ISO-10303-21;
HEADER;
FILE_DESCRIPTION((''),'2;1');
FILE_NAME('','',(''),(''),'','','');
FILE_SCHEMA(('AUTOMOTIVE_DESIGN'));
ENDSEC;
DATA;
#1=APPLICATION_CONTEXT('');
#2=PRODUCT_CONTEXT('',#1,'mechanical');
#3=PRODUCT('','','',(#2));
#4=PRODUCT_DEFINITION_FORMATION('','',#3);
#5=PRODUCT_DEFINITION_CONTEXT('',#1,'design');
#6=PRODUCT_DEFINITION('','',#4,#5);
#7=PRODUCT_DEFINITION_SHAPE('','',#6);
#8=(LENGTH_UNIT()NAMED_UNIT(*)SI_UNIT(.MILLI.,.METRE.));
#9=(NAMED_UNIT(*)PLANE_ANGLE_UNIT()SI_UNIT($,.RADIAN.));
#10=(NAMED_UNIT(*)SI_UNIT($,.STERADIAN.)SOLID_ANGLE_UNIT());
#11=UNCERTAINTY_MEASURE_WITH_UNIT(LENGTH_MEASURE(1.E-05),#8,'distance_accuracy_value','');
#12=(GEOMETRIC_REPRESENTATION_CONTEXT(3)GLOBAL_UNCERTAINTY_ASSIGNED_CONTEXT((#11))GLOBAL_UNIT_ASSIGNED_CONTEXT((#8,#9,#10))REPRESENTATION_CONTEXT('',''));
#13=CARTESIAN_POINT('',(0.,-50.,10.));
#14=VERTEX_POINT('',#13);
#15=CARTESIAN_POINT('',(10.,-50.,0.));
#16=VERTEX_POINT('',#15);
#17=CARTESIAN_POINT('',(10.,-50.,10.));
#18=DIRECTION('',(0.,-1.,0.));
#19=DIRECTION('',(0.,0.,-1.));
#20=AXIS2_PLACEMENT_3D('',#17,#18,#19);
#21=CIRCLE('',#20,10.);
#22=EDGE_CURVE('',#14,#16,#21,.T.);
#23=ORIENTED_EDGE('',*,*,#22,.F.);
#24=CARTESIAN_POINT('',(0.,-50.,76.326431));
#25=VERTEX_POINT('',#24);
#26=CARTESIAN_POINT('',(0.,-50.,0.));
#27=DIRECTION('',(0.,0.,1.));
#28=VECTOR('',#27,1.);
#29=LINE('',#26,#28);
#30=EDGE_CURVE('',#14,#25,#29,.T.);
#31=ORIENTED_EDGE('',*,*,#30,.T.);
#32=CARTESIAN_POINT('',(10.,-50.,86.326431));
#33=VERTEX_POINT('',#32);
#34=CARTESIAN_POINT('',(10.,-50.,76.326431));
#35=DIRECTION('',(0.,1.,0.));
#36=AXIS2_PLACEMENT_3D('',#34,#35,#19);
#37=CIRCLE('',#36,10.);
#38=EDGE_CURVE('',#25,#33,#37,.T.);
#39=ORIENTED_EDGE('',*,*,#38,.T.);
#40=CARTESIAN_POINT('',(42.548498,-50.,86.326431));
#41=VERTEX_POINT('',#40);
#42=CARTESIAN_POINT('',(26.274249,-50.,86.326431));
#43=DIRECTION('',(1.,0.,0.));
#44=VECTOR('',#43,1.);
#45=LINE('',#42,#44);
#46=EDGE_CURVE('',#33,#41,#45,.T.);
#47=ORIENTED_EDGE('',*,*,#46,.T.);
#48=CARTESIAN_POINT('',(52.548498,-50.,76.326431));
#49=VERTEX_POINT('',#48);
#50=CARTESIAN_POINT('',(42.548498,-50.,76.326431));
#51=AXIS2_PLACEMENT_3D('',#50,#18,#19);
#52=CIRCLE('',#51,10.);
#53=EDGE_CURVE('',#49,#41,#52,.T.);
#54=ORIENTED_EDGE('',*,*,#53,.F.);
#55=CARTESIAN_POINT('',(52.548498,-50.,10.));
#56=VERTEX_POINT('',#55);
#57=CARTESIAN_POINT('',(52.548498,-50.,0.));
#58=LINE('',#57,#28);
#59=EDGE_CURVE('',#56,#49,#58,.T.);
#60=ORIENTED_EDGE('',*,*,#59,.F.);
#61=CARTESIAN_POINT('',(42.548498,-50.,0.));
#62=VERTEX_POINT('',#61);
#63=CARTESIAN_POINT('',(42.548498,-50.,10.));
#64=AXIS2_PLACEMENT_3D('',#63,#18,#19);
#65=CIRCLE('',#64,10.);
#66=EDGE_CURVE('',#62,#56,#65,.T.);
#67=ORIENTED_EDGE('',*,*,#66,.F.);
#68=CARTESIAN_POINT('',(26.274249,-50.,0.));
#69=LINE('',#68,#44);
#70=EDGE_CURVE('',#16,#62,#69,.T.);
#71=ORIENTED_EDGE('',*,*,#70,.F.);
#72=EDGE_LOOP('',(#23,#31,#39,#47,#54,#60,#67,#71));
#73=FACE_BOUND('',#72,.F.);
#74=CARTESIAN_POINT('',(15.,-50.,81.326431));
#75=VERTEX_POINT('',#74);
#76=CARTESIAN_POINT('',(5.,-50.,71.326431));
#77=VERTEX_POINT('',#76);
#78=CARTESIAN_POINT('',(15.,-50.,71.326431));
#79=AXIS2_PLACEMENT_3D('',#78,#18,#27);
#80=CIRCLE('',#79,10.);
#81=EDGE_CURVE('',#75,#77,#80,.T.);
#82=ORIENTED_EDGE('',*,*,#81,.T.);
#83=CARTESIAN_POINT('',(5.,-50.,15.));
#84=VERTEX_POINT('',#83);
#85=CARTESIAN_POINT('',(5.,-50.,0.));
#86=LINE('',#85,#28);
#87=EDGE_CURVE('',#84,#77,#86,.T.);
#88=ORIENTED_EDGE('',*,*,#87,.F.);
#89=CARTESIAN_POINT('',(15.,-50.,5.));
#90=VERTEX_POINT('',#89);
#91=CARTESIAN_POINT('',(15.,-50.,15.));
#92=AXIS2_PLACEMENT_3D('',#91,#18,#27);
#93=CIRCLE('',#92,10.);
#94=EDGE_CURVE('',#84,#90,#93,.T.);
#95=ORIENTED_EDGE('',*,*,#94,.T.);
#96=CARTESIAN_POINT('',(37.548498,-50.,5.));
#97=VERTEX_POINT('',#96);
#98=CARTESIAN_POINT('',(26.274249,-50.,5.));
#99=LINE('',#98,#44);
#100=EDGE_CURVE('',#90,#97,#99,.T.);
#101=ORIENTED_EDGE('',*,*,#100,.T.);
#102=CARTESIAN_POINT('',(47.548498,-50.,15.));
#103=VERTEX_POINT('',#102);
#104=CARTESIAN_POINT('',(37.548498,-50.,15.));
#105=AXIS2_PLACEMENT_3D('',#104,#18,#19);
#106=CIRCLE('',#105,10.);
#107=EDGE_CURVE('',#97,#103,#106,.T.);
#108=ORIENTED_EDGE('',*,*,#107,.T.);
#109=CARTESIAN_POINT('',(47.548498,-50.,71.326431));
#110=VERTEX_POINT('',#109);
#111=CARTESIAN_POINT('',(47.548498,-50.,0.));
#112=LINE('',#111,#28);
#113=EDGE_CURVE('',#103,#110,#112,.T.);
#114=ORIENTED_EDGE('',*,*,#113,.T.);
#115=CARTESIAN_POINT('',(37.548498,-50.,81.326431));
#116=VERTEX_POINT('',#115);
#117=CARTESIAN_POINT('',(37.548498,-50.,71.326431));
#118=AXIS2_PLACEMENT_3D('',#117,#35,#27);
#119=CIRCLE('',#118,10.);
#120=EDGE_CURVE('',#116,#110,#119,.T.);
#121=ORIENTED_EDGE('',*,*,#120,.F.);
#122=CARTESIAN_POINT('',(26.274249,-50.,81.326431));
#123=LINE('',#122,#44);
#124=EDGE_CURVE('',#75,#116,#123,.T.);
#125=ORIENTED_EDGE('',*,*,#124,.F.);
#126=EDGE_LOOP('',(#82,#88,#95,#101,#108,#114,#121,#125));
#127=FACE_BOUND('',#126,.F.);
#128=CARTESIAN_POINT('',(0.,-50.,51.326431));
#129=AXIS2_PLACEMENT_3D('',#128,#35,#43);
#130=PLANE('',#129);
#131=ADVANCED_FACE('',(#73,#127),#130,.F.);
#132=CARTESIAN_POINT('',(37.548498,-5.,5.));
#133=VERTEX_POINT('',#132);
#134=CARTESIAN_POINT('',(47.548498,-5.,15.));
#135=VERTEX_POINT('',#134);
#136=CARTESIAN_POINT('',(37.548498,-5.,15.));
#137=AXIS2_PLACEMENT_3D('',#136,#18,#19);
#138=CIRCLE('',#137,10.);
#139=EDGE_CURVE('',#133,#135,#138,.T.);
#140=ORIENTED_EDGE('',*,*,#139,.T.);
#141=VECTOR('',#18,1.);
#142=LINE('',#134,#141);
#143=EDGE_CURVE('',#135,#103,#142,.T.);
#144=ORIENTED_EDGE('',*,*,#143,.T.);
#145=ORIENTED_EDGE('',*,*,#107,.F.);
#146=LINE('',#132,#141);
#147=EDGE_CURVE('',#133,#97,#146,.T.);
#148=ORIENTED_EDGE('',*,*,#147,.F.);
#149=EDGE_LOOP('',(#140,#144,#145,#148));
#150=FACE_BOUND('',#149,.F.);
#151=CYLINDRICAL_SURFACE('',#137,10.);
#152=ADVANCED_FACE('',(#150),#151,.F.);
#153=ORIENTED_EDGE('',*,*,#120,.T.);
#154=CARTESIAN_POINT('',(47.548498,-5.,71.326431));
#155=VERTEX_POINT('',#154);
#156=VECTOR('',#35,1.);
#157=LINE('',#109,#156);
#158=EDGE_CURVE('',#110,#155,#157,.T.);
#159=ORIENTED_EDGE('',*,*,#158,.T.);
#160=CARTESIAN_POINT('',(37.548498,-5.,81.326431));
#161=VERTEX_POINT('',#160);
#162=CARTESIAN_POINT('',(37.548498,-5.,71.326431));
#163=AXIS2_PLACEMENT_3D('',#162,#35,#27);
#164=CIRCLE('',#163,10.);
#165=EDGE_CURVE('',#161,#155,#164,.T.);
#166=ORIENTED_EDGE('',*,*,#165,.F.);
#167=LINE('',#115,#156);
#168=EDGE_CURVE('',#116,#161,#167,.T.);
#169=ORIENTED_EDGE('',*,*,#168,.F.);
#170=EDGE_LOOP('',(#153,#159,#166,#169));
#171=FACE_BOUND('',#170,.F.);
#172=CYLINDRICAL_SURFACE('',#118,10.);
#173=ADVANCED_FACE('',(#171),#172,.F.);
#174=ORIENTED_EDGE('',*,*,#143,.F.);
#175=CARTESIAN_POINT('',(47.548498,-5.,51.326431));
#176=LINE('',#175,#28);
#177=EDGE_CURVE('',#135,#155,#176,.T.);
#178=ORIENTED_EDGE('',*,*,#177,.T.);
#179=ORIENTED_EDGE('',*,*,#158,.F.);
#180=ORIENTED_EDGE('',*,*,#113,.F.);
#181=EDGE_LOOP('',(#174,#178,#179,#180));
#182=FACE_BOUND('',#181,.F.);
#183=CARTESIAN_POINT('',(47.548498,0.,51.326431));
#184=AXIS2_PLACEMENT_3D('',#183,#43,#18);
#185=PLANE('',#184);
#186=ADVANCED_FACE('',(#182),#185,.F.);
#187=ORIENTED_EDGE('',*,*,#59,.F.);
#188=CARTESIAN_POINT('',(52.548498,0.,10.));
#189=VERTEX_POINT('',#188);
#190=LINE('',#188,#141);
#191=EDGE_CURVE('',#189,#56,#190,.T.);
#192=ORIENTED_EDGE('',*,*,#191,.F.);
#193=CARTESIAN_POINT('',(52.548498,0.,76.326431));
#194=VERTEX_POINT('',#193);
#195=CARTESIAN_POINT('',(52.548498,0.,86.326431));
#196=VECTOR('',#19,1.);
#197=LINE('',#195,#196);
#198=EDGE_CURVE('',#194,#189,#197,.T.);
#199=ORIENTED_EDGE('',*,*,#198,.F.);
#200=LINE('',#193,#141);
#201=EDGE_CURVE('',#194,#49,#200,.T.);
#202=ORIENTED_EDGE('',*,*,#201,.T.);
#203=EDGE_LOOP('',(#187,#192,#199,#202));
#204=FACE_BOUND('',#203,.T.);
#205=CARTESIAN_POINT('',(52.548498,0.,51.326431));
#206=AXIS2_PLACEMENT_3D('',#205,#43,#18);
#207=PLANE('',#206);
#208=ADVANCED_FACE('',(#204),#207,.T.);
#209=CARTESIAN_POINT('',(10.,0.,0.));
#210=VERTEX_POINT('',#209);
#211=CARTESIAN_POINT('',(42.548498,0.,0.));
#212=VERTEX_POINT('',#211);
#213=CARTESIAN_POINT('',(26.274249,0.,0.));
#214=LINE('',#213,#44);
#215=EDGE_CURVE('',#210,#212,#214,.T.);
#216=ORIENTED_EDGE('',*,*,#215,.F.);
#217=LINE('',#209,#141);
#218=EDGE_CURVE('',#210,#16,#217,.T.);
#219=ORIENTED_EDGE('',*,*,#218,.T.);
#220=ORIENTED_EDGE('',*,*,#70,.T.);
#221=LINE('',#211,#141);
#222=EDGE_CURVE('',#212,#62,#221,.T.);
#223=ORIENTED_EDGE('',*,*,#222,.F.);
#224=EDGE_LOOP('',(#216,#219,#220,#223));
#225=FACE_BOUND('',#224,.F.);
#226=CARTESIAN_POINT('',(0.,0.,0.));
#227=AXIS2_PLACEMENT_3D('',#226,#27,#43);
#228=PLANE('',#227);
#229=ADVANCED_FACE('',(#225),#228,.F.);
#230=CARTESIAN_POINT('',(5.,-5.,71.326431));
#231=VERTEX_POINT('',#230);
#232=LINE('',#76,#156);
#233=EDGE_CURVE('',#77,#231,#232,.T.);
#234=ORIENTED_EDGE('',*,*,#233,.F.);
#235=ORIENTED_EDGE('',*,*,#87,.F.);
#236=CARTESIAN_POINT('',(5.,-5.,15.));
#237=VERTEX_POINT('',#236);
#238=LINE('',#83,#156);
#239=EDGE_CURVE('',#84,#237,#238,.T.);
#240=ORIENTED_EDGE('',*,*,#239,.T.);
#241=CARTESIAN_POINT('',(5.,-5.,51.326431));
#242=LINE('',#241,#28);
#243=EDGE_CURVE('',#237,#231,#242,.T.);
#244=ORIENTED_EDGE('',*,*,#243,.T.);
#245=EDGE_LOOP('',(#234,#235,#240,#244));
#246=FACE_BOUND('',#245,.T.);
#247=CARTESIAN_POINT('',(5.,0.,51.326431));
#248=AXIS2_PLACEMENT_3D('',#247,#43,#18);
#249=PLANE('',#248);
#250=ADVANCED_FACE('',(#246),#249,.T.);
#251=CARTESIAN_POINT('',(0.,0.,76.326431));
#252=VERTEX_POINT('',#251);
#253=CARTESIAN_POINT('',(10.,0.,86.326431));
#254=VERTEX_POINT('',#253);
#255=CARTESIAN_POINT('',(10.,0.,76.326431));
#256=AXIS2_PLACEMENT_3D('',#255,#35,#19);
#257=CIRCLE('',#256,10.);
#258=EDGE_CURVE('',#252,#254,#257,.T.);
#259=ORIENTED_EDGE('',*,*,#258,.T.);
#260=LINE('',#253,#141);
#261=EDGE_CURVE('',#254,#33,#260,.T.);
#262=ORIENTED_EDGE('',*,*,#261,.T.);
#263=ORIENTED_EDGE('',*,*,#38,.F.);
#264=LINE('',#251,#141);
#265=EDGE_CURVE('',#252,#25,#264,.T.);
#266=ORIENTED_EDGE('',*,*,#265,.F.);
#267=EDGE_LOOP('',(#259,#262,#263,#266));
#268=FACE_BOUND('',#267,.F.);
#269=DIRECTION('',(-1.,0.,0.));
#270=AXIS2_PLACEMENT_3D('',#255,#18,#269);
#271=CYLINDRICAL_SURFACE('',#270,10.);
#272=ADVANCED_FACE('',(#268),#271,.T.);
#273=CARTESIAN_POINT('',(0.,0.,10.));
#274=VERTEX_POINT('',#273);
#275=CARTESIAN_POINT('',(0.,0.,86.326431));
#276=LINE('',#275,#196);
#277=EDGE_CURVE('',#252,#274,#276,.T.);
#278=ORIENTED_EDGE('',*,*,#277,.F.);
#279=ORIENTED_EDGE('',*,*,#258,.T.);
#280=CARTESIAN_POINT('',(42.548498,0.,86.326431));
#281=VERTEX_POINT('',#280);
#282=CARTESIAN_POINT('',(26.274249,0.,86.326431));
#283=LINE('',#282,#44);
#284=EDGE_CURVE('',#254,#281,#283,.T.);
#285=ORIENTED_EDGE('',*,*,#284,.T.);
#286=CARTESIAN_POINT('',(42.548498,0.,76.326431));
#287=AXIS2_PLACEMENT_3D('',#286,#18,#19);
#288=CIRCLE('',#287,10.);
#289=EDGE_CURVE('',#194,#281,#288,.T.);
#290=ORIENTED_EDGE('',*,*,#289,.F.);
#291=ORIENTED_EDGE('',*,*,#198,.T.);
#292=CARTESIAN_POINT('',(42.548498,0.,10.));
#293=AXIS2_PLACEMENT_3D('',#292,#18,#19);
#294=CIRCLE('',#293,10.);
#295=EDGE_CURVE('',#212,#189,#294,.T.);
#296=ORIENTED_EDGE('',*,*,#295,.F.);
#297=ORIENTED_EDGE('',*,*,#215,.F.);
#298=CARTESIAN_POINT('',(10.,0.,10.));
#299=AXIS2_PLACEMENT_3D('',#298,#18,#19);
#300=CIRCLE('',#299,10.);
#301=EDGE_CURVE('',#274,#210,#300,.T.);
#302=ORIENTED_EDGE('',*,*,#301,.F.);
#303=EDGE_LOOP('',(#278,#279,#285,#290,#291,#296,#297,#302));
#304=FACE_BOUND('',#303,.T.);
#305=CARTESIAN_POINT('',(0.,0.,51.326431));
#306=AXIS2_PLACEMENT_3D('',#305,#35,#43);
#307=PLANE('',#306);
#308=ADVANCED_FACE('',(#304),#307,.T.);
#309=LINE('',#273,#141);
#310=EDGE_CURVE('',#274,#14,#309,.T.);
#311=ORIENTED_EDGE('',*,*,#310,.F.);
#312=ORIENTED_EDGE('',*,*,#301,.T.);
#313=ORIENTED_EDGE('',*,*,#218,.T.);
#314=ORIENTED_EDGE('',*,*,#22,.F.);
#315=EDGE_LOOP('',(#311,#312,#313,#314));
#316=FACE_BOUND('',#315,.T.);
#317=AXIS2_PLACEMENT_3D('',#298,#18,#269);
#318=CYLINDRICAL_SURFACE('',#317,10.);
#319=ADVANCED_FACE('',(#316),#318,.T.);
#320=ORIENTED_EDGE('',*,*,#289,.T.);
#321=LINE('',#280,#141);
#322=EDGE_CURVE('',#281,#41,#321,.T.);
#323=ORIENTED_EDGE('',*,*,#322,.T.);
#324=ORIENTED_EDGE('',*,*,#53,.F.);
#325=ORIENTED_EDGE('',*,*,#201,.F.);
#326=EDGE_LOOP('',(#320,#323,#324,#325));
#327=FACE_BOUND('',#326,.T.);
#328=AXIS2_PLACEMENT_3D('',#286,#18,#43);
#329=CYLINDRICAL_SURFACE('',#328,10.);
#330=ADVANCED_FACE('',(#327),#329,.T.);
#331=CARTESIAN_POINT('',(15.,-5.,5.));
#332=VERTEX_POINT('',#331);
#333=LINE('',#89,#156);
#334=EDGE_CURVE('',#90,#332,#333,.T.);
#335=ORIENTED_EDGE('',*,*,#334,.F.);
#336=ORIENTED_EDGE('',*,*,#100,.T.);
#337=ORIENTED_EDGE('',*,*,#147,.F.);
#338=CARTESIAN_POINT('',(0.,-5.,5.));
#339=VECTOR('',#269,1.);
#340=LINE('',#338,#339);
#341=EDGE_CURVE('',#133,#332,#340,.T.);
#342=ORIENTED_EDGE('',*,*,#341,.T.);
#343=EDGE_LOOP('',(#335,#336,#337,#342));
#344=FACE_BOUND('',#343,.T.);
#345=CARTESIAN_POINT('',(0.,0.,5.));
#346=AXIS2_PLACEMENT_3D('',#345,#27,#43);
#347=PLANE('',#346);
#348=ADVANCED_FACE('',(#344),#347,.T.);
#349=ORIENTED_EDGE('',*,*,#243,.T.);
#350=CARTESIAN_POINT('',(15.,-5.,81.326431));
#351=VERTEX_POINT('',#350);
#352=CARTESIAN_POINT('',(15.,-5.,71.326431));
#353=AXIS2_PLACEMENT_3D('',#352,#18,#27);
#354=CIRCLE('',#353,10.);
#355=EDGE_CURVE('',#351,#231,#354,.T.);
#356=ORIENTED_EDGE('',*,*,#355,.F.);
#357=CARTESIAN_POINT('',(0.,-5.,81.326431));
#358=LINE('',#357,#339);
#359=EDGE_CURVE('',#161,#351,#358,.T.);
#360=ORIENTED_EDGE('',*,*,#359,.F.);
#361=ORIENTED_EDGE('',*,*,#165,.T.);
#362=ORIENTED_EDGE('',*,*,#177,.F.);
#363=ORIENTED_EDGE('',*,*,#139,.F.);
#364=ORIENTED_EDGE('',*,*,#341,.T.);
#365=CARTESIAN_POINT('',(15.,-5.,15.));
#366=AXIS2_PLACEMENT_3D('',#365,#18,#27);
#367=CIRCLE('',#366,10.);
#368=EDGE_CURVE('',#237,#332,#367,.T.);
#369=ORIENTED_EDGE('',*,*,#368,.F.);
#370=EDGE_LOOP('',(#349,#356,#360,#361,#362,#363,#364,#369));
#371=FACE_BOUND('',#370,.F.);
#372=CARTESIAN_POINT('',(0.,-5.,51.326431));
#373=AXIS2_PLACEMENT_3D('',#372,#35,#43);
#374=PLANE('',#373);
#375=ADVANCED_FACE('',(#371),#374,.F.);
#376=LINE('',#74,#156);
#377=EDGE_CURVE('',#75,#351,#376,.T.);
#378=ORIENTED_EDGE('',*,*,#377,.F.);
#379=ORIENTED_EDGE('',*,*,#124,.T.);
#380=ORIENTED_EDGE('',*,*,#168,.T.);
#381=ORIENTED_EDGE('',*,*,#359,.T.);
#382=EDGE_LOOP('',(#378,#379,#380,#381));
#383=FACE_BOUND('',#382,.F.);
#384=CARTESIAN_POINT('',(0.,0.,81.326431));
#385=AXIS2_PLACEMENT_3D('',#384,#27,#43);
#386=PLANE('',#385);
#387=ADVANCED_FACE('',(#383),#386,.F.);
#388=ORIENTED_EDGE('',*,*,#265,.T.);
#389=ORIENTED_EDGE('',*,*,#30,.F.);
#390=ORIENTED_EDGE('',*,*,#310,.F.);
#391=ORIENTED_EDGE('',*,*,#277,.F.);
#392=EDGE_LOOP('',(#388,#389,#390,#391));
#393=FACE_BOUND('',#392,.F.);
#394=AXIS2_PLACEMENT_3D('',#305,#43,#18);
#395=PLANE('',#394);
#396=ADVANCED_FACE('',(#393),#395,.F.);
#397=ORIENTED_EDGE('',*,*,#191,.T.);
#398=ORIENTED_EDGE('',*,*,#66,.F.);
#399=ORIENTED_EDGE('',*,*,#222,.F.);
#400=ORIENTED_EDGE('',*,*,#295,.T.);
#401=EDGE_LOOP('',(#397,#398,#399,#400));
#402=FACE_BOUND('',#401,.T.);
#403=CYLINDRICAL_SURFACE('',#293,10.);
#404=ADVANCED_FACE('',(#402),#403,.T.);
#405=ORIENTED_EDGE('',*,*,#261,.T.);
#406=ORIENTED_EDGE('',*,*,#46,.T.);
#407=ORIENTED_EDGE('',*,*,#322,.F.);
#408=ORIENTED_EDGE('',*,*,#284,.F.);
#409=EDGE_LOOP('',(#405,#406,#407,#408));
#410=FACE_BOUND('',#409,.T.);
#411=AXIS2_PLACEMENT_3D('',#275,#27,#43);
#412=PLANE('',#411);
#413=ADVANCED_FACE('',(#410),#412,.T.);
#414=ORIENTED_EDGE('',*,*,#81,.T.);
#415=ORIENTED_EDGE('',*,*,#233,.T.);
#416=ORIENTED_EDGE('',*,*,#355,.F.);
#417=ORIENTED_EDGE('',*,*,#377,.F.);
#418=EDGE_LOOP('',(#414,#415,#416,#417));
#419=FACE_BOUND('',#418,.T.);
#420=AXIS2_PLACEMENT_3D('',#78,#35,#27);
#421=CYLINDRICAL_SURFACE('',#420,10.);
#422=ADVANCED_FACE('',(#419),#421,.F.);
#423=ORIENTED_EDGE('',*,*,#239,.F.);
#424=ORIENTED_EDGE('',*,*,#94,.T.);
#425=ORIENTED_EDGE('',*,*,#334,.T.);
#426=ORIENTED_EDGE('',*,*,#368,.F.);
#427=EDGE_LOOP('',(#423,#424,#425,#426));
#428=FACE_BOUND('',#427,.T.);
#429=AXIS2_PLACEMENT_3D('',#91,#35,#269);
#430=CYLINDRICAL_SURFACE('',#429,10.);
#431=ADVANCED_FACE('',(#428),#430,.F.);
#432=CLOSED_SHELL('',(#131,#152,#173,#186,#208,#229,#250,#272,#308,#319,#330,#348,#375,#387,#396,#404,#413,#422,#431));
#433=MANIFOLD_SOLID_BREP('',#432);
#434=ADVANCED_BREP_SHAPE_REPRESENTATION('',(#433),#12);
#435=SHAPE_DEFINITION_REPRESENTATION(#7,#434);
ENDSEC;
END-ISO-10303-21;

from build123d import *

# Parameters (mm, degrees)
F0_W     = 52.5484979153
F0_H     = 51.326431334
F1_DEPTH = 50
F2_DEPTH = 35
F3_T     = -5
F4_R     = 10
F5_R     = 10


with BuildPart() as f1:
    # F0 (on Front) → F1 (new body)
    with BuildSketch(Plane.XZ):
        with Locations((26.2742489576, 25.663215667)):
            Rectangle(F0_W, F0_H)
    extrude(amount=F1_DEPTH)

    # F2 (add): a face of the model
    f2_faces = [f1.faces().sort_by_distance(p)[0] for p in [
        (26.2742489576, -25, 51.326431334),
    ]]
    extrude(f2_faces, amount=F2_DEPTH)

    # F3
    f3_openings = [f1.faces().sort_by_distance(p)[0] for p in [
        (26.274249, -50, 43.163216),
    ]]
    offset(amount=F3_T, openings=f3_openings)

    # F4
    f4_edges = [f1.edges().sort_by_distance(p)[0] for p in [
        (0, -25, 0),
        (52.548498, -25, 0),
        (0, -25, 86.326431),
        (52.548498, -25, 86.326431),
    ]]
    fillet(f4_edges, radius=F4_R)

    # F5
    f5_edges = [f1.edges().sort_by_distance(p)[0] for p in [
        (5, -27.5, 5),
        (47.548498, -27.5, 5),
        (47.548498, -27.5, 81.326431),
        (5, -27.5, 81.326431),
    ]]
    fillet(f5_edges, radius=F5_R)


solid = f1.part
